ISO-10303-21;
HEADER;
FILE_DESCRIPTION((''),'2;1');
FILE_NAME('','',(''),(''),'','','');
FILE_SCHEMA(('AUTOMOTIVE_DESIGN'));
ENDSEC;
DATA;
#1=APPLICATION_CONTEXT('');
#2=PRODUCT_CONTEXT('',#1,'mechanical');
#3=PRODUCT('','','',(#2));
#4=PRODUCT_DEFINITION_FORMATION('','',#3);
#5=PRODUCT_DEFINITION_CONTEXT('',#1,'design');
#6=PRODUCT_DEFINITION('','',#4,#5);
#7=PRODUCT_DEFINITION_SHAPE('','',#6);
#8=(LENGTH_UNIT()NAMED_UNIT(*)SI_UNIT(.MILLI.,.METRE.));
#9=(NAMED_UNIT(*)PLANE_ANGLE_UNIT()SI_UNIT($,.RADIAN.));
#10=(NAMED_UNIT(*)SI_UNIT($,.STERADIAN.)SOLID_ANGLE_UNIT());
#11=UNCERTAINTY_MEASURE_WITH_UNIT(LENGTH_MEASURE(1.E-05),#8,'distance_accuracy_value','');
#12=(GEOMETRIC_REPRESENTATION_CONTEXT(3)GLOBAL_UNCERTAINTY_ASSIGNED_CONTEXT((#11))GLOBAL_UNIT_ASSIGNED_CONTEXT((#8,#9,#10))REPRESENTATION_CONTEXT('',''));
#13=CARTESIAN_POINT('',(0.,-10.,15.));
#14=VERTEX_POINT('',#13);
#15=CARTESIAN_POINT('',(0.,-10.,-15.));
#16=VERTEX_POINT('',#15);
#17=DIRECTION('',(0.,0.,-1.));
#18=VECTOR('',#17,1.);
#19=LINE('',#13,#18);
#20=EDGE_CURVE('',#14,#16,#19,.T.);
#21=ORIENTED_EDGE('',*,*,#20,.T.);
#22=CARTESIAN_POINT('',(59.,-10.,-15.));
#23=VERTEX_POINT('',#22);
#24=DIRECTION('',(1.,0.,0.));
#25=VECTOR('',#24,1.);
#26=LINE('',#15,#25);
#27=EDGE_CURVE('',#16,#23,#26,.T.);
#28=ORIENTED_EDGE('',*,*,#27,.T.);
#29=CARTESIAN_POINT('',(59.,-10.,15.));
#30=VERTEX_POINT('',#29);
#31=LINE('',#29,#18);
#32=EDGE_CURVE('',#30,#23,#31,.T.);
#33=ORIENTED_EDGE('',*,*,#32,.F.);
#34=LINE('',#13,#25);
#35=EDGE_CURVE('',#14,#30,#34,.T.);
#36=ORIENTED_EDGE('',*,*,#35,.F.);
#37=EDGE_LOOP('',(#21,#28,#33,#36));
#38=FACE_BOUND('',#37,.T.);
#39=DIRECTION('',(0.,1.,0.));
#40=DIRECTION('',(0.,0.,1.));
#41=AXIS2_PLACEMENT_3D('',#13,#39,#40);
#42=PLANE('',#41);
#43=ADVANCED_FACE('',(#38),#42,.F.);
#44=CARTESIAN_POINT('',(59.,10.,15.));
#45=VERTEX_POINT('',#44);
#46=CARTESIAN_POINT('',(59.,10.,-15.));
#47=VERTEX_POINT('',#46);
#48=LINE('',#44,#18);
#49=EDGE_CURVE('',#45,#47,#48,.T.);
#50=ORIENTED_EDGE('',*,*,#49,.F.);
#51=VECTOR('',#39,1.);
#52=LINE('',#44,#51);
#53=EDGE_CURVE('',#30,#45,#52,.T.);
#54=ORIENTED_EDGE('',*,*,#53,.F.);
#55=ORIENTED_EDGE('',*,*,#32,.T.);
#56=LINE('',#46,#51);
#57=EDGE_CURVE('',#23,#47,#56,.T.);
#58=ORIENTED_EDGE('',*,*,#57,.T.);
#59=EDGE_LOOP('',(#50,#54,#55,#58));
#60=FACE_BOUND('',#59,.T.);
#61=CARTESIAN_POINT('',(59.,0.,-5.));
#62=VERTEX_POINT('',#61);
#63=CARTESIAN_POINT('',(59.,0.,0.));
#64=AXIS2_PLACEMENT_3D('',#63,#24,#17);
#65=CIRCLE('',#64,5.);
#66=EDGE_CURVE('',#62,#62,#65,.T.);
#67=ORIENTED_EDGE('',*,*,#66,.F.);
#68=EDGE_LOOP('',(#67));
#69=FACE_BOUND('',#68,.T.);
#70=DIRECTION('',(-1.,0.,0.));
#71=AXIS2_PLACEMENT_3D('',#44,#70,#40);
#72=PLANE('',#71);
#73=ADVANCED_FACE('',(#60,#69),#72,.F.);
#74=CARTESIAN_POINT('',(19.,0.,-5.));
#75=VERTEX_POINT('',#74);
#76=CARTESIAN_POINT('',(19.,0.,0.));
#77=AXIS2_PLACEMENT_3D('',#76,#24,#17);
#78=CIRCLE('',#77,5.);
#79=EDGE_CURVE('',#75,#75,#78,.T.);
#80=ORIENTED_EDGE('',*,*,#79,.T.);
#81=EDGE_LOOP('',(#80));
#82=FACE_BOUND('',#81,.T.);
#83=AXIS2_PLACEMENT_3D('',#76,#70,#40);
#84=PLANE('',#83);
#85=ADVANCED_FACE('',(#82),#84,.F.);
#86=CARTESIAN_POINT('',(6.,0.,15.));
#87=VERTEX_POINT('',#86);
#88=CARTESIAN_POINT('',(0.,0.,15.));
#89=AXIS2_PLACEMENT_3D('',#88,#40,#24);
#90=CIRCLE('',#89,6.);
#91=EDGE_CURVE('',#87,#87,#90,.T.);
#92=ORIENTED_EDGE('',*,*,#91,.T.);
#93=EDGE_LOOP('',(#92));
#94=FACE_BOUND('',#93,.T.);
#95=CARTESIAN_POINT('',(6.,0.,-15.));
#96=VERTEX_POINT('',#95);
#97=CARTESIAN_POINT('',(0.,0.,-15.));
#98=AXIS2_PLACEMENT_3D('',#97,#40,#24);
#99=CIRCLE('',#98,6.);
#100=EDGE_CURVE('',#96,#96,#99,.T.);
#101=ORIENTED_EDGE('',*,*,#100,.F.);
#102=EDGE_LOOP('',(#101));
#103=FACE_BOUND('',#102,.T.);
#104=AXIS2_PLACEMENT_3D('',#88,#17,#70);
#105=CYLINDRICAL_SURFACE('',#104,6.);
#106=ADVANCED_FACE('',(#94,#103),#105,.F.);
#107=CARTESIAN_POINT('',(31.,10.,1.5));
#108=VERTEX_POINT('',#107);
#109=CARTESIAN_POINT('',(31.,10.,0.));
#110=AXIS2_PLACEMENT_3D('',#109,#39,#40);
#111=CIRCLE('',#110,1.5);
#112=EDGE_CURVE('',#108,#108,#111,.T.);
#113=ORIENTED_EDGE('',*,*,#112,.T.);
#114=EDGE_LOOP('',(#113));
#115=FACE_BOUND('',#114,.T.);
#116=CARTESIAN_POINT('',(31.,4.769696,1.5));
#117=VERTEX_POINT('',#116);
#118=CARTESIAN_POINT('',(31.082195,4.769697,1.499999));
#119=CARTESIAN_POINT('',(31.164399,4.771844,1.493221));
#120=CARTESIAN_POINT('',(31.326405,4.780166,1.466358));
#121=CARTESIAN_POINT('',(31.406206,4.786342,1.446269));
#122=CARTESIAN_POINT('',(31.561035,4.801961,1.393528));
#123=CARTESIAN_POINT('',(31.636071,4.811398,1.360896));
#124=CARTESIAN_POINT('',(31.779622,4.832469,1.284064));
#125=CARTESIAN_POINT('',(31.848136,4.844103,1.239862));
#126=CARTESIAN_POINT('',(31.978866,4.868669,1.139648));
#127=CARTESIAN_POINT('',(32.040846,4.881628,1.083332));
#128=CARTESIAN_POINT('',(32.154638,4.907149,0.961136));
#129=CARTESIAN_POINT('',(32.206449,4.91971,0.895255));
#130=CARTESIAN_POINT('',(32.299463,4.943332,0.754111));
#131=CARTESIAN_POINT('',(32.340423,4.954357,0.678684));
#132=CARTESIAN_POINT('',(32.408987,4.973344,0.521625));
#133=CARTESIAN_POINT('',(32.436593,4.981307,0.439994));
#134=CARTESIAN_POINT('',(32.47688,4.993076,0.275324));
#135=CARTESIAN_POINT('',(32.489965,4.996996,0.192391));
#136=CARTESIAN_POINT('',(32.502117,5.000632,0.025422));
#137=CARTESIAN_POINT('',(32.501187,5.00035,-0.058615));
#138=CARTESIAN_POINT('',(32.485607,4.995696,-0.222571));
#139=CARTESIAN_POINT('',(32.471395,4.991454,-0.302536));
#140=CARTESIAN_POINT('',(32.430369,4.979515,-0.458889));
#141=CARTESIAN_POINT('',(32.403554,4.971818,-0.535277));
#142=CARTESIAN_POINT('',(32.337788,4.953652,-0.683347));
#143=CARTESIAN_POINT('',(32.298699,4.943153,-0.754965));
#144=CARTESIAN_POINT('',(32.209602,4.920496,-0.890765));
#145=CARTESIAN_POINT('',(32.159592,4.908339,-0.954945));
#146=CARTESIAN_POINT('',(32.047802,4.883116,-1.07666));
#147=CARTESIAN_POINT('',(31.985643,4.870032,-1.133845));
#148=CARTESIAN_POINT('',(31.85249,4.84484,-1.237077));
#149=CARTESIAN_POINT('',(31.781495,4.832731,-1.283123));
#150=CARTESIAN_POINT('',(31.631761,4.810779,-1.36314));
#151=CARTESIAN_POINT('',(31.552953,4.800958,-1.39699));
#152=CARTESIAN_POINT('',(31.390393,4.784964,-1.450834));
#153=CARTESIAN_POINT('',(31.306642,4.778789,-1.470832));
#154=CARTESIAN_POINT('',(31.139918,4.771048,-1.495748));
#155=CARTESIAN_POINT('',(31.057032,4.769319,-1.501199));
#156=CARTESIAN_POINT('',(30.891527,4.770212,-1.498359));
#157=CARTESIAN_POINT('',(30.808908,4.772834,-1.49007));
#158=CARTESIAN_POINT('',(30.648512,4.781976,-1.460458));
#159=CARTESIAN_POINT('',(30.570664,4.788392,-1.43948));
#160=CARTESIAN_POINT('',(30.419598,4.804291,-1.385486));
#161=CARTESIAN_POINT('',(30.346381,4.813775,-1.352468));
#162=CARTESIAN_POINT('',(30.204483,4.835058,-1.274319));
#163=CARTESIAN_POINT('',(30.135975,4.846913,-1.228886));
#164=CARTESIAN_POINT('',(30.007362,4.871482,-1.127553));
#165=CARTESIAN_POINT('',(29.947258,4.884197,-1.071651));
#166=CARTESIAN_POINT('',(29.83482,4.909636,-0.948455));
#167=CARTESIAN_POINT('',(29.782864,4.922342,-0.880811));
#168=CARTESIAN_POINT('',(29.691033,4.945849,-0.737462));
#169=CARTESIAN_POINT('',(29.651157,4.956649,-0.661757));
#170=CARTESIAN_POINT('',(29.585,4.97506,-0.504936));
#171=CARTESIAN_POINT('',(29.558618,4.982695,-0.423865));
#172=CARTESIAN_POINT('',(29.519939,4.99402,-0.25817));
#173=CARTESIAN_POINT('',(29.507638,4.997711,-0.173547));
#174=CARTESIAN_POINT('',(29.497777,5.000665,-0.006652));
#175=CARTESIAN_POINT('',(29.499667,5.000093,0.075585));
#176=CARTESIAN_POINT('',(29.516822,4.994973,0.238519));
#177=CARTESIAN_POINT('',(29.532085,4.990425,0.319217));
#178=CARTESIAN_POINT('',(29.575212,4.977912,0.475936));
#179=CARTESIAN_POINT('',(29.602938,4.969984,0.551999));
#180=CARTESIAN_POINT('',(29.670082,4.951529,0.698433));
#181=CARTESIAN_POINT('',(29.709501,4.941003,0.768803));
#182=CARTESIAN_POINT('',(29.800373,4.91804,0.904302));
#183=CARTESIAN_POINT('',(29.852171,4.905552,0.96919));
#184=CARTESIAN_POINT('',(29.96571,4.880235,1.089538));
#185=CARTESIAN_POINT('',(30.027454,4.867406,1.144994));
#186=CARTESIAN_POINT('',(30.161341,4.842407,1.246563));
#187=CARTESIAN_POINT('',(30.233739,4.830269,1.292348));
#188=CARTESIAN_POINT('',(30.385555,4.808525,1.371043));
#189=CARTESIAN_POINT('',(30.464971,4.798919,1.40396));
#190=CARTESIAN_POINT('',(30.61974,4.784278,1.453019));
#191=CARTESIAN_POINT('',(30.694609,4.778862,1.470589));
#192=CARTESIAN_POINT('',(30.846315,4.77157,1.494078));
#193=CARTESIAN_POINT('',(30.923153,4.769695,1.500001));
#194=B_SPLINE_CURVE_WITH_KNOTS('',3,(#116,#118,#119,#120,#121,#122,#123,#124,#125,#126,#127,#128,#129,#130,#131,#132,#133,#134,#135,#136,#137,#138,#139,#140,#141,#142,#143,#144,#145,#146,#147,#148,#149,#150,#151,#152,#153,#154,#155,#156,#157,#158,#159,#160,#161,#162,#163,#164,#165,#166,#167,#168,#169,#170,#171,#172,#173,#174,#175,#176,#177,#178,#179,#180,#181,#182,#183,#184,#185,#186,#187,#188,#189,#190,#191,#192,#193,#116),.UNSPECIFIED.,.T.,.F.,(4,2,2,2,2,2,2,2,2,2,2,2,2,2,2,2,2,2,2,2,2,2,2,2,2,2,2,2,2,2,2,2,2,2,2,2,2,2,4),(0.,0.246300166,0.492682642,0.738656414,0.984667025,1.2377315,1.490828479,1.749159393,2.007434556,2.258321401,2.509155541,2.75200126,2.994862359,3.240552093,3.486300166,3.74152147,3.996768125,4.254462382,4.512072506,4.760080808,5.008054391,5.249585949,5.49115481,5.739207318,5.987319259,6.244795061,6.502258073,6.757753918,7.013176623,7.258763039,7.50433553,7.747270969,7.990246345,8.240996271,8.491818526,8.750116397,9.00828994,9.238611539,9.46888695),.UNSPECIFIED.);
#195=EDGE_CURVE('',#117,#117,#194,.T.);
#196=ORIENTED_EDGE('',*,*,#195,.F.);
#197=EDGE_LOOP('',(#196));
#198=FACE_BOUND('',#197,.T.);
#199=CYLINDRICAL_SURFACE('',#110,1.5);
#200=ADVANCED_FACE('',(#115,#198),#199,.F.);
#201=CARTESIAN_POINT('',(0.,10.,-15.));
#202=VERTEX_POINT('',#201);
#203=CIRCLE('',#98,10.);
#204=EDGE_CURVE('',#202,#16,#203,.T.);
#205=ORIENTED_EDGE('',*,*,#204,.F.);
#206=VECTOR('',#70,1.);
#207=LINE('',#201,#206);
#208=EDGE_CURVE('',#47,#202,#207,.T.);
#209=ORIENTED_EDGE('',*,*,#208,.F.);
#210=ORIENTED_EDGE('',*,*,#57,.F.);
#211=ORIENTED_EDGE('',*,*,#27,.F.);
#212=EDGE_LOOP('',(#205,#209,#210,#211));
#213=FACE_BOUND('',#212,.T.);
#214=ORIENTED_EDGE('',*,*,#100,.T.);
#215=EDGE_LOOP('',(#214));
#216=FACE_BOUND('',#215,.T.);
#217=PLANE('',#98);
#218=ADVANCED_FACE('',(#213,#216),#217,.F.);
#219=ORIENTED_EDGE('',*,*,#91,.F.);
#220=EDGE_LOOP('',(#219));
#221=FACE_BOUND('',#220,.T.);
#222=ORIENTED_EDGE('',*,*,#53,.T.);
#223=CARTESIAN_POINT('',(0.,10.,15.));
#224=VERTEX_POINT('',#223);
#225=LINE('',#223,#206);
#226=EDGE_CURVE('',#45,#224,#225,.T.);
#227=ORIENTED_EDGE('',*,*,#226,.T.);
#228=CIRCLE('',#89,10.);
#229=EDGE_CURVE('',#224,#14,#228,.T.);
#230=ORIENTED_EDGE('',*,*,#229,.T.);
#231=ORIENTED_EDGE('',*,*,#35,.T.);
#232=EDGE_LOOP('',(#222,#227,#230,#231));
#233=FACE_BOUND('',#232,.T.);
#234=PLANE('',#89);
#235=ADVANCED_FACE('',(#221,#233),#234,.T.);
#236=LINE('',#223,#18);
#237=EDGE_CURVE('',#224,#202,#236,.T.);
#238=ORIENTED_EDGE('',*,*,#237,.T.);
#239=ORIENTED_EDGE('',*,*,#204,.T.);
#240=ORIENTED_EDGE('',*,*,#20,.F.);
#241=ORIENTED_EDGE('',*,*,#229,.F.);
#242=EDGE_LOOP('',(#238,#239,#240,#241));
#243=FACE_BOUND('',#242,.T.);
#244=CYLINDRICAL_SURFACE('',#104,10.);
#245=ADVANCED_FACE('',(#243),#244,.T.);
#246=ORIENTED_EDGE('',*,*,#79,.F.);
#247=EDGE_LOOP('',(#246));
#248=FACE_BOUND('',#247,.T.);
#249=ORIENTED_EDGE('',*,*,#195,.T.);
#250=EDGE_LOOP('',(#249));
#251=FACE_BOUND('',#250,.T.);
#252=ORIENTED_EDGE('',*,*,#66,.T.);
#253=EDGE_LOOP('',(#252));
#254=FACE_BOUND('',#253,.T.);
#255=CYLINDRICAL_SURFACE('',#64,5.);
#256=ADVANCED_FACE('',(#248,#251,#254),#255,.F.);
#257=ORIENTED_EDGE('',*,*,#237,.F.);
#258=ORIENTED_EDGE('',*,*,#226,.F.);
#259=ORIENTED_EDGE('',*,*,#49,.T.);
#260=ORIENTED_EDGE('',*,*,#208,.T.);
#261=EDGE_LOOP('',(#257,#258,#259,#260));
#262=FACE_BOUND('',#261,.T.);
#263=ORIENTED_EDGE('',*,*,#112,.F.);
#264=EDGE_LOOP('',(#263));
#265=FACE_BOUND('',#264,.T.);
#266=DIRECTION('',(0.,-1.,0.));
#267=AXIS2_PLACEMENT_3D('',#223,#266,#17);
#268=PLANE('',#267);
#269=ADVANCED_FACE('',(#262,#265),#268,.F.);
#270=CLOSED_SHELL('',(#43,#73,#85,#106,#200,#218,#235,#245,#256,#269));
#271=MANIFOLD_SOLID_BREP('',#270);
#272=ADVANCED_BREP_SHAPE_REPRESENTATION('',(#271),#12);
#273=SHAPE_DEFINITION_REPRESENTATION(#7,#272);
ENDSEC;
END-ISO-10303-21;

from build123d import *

# Parameters (mm, degrees)
ESQUISSE1_R                         = 6
BOSS_EXTRU_1_DEPTH                  = 15
DIAM_TRE_DU_PER_AGE_10_0_10_1_D     = 10
DIAM_TRE_DU_PER_AGE_10_0_10_1_DEPTH = 40
DIAM_TRE_DU_PER_AGE_3_0_3_1_D       = 3
DIAM_TRE_DU_PER_AGE_3_0_3_1_DEPTH   = 10
DIAM_TRE_DU_PER_AGE_3_0_3_1_TIP     = 0.901290929


with BuildPart() as part:
    # Esquisse1 → Boss.-Extru.1 (new body, symmetric)
    with BuildSketch(Plane.XY):
        with BuildLine():
            Line((0, -10), (59, -10))
            Line((59, -10), (59, 10))
            Line((59, 10), (0, 10))
            ThreePointArc((0, 10), (-10, 0), (0, -10))
        make_face()
        Circle(ESQUISSE1_R, mode=Mode.SUBTRACT)
    extrude(amount=BOSS_EXTRU_1_DEPTH, both=True)

    # Diamètre du perçage Ø10.0 (10)1
    with Locations(Plane(origin=(59, 0, 0), x_dir=(0, 0, -1), z_dir=(1, 0, 0))):
        with Locations((0, 0)):
            Hole(DIAM_TRE_DU_PER_AGE_10_0_10_1_D / 2, depth=DIAM_TRE_DU_PER_AGE_10_0_10_1_DEPTH)

    # Diamètre du perçage Ø3.0 (3)1
    with Locations(Plane(origin=(0, 10, 0), x_dir=(1, 0, 0), z_dir=(0, 1, 0))):
        with Locations((31, 0)):
            Hole(DIAM_TRE_DU_PER_AGE_3_0_3_1_D / 2, depth=DIAM_TRE_DU_PER_AGE_3_0_3_1_DEPTH)
            with Locations((0, 0, -(DIAM_TRE_DU_PER_AGE_3_0_3_1_DEPTH + DIAM_TRE_DU_PER_AGE_3_0_3_1_TIP / 2))):  # 118° drill point
                Cone(0, DIAM_TRE_DU_PER_AGE_3_0_3_1_D / 2, DIAM_TRE_DU_PER_AGE_3_0_3_1_TIP, mode=Mode.SUBTRACT)


solid = part.part
